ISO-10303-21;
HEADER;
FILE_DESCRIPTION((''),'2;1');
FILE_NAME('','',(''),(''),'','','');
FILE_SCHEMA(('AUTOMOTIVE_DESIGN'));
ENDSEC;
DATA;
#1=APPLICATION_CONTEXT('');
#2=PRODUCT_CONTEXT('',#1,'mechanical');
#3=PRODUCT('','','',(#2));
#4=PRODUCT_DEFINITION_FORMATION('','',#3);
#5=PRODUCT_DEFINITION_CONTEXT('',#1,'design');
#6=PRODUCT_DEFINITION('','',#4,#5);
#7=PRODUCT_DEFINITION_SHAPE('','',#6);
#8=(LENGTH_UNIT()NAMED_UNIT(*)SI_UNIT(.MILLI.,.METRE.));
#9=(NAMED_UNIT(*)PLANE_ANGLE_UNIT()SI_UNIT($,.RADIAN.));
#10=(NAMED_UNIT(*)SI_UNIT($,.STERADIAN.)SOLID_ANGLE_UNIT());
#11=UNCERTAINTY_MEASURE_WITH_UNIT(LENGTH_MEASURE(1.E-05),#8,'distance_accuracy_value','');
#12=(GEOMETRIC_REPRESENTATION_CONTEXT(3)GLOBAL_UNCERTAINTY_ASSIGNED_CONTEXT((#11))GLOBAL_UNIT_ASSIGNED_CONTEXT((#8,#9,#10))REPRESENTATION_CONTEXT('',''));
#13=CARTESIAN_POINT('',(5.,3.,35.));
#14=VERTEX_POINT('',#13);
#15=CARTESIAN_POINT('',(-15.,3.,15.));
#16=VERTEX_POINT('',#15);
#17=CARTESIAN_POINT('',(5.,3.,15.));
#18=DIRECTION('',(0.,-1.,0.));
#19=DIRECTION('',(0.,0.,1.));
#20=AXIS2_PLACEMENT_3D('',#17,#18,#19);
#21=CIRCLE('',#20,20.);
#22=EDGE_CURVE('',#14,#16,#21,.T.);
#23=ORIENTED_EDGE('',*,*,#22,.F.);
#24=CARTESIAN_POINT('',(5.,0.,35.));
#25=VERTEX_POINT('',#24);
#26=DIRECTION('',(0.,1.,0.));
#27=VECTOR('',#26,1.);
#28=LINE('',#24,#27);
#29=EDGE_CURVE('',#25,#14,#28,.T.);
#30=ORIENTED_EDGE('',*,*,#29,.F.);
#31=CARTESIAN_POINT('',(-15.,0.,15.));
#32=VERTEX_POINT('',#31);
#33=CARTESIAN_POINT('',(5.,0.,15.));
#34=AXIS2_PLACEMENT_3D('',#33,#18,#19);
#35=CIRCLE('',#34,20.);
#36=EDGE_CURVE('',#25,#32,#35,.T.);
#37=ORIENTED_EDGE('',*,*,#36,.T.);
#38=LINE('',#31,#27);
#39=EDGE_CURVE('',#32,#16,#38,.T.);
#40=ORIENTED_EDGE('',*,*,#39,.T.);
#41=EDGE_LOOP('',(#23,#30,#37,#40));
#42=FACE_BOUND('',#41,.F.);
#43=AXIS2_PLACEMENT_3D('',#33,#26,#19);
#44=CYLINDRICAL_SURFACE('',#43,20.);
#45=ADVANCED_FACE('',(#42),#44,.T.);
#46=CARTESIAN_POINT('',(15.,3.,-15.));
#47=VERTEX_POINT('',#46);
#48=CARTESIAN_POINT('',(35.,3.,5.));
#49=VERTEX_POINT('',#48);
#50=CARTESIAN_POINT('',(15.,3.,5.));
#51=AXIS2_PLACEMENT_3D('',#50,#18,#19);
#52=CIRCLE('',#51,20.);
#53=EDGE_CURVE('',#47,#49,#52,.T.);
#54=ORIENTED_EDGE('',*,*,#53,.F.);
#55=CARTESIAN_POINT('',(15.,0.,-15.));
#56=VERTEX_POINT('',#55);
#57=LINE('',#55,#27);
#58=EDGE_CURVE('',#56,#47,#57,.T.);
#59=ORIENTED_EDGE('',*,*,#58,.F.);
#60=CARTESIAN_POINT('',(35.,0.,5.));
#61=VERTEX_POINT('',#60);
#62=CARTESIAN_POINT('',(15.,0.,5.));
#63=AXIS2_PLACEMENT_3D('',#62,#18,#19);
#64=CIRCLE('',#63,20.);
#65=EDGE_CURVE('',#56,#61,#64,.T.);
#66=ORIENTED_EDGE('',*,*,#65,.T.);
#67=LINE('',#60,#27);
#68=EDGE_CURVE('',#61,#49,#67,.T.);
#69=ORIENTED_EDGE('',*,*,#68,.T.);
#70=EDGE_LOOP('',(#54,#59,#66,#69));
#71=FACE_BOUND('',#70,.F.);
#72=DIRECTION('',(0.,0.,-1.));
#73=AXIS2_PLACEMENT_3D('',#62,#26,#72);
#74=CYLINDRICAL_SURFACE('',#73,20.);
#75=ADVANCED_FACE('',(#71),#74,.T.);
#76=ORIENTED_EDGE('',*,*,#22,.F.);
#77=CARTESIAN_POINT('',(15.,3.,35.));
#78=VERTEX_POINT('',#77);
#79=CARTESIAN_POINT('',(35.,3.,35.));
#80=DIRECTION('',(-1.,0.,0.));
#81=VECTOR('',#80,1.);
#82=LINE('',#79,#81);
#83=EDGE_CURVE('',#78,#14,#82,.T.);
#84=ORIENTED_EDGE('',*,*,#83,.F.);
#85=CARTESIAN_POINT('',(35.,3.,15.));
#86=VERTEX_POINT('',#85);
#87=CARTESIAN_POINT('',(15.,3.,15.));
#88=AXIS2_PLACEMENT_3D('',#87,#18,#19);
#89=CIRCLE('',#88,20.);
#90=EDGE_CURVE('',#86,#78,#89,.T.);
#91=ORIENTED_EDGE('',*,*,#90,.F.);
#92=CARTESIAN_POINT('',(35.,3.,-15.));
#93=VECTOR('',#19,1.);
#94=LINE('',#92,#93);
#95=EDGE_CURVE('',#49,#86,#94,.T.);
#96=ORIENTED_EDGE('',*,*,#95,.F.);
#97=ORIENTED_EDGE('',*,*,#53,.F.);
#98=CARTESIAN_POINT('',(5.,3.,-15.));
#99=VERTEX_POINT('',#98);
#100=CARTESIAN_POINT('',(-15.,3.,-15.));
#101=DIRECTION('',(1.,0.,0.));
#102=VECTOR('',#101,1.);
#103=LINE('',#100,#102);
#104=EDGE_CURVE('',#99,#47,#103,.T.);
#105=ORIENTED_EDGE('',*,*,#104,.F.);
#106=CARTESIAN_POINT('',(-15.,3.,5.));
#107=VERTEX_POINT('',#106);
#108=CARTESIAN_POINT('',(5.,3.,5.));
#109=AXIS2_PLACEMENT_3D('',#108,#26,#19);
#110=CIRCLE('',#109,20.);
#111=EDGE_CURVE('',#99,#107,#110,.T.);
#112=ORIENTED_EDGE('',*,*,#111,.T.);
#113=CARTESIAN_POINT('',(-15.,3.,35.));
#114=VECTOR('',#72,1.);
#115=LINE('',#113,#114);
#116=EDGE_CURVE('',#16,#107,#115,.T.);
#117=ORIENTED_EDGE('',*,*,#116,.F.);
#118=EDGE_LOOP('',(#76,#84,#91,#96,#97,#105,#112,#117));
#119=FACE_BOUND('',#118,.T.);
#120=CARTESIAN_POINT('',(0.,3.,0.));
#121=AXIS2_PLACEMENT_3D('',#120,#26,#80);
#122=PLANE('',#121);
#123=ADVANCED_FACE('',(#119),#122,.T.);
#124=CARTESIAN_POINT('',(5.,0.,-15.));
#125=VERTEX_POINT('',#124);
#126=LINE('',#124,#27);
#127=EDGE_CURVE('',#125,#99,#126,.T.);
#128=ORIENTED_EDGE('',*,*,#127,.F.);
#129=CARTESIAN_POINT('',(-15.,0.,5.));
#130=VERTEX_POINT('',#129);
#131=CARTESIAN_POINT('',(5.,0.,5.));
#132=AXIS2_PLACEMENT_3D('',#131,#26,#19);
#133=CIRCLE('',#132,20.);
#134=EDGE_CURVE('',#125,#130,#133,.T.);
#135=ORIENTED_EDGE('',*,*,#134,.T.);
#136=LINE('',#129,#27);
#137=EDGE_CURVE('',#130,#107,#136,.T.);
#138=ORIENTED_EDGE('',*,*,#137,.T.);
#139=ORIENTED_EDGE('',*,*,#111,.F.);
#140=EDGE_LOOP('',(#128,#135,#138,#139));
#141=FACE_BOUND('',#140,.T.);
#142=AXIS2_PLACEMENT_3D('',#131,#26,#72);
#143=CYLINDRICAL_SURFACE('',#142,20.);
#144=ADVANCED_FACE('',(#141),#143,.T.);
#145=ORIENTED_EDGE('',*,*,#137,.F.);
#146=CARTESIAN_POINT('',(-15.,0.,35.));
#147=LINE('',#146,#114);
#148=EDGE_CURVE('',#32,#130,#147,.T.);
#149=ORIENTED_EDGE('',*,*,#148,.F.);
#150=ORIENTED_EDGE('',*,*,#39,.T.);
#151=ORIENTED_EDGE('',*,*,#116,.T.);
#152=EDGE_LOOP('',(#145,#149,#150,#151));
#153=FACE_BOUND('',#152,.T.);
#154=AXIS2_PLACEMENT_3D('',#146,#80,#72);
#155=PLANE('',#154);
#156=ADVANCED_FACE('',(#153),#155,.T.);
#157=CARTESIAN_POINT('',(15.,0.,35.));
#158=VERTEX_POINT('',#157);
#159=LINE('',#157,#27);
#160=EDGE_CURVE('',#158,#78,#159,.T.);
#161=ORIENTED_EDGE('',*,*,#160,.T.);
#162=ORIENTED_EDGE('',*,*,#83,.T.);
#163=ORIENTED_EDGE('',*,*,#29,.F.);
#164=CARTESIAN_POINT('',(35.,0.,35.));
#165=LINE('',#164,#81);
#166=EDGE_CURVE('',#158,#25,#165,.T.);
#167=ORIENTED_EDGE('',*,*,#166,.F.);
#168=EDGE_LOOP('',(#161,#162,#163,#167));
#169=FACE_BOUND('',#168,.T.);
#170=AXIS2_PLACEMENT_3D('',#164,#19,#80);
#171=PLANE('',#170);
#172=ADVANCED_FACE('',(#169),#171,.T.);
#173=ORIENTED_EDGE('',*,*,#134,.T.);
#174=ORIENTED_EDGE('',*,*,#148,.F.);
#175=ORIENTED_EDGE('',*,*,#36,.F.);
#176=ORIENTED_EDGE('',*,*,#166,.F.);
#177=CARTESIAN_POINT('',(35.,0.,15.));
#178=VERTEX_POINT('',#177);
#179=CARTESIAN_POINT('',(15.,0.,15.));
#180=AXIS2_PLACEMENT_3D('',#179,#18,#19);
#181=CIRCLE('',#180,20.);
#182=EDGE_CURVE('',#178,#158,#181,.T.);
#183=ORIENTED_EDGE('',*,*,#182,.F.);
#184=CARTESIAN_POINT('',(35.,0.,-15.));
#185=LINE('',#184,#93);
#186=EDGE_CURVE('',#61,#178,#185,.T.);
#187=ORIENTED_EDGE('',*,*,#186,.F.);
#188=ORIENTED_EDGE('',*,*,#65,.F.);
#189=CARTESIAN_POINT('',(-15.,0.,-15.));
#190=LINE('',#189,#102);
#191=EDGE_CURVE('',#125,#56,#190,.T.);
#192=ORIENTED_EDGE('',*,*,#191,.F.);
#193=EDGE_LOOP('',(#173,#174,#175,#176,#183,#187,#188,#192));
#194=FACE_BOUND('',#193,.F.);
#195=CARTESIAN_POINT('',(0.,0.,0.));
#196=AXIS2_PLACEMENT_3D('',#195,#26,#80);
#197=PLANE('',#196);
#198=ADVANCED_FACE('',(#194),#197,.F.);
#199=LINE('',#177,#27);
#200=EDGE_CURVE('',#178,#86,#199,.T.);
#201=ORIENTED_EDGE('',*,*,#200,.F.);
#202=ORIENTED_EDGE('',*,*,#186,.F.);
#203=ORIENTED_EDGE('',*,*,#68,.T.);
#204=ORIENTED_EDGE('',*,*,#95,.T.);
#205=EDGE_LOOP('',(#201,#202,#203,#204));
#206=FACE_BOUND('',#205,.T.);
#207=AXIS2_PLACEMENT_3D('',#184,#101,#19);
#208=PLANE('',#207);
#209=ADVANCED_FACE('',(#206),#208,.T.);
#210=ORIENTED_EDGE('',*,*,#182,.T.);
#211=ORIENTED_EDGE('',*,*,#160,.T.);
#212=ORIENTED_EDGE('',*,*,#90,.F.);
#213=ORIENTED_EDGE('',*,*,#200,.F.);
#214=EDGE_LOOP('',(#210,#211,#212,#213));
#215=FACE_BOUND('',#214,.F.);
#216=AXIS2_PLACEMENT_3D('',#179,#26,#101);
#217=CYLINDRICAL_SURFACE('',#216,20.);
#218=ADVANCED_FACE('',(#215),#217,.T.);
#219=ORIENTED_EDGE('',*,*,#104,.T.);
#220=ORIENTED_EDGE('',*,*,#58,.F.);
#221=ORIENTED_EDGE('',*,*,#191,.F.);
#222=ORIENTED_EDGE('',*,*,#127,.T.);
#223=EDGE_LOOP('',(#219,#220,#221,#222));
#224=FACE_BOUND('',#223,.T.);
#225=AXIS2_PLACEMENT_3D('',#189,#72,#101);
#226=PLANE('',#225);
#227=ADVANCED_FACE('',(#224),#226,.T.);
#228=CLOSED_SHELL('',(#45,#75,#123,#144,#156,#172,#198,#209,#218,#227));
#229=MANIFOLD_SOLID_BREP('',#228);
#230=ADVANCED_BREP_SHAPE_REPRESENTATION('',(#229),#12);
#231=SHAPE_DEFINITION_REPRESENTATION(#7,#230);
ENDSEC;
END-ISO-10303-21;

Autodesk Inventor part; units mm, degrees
ref_plane "YZ Plane" through (0, 0, 0) normal (1, 0, 0) x (0, 1, 0)
ref_plane "XZ Plane" through (0, 0, 0) normal (0, 1, 0) x (-1, 0, 0)
ref_plane "XY Plane" through (0, 0, 0) normal (0, 0, 1) x (1, 0, 0)
sketch "Sketch1" plane through (0, 0, 0) normal (0, 1, 0) x (-1, 0, 0)
  line L0 (15, -15) -> (-35, -15)
  line L1 (-35, -15) -> (-35, 35)
  line L2 (-35, 35) -> (15, 35)
  line L3 (15, 35) -> (15, -15)
  line L4 (15, -15) -> (-35, 35) construction
  line L5 (-35, -15) -> (15, 35) construction
  point P0 (-10, 10)
  dimension "d2" = 50
  dimension "d3" = 50
extrude "Extrusion1" add sketch "Sketch1" along normal blind 3
fillet "Fillet1" radius 20 4 edges at (35, 1.5, 35) (-15, 1.5, 35) (-15, 1.5, -15) (35, 1.5, -15)
equation "\"d2\" = d3"
properties part number "power-bank-bump"
